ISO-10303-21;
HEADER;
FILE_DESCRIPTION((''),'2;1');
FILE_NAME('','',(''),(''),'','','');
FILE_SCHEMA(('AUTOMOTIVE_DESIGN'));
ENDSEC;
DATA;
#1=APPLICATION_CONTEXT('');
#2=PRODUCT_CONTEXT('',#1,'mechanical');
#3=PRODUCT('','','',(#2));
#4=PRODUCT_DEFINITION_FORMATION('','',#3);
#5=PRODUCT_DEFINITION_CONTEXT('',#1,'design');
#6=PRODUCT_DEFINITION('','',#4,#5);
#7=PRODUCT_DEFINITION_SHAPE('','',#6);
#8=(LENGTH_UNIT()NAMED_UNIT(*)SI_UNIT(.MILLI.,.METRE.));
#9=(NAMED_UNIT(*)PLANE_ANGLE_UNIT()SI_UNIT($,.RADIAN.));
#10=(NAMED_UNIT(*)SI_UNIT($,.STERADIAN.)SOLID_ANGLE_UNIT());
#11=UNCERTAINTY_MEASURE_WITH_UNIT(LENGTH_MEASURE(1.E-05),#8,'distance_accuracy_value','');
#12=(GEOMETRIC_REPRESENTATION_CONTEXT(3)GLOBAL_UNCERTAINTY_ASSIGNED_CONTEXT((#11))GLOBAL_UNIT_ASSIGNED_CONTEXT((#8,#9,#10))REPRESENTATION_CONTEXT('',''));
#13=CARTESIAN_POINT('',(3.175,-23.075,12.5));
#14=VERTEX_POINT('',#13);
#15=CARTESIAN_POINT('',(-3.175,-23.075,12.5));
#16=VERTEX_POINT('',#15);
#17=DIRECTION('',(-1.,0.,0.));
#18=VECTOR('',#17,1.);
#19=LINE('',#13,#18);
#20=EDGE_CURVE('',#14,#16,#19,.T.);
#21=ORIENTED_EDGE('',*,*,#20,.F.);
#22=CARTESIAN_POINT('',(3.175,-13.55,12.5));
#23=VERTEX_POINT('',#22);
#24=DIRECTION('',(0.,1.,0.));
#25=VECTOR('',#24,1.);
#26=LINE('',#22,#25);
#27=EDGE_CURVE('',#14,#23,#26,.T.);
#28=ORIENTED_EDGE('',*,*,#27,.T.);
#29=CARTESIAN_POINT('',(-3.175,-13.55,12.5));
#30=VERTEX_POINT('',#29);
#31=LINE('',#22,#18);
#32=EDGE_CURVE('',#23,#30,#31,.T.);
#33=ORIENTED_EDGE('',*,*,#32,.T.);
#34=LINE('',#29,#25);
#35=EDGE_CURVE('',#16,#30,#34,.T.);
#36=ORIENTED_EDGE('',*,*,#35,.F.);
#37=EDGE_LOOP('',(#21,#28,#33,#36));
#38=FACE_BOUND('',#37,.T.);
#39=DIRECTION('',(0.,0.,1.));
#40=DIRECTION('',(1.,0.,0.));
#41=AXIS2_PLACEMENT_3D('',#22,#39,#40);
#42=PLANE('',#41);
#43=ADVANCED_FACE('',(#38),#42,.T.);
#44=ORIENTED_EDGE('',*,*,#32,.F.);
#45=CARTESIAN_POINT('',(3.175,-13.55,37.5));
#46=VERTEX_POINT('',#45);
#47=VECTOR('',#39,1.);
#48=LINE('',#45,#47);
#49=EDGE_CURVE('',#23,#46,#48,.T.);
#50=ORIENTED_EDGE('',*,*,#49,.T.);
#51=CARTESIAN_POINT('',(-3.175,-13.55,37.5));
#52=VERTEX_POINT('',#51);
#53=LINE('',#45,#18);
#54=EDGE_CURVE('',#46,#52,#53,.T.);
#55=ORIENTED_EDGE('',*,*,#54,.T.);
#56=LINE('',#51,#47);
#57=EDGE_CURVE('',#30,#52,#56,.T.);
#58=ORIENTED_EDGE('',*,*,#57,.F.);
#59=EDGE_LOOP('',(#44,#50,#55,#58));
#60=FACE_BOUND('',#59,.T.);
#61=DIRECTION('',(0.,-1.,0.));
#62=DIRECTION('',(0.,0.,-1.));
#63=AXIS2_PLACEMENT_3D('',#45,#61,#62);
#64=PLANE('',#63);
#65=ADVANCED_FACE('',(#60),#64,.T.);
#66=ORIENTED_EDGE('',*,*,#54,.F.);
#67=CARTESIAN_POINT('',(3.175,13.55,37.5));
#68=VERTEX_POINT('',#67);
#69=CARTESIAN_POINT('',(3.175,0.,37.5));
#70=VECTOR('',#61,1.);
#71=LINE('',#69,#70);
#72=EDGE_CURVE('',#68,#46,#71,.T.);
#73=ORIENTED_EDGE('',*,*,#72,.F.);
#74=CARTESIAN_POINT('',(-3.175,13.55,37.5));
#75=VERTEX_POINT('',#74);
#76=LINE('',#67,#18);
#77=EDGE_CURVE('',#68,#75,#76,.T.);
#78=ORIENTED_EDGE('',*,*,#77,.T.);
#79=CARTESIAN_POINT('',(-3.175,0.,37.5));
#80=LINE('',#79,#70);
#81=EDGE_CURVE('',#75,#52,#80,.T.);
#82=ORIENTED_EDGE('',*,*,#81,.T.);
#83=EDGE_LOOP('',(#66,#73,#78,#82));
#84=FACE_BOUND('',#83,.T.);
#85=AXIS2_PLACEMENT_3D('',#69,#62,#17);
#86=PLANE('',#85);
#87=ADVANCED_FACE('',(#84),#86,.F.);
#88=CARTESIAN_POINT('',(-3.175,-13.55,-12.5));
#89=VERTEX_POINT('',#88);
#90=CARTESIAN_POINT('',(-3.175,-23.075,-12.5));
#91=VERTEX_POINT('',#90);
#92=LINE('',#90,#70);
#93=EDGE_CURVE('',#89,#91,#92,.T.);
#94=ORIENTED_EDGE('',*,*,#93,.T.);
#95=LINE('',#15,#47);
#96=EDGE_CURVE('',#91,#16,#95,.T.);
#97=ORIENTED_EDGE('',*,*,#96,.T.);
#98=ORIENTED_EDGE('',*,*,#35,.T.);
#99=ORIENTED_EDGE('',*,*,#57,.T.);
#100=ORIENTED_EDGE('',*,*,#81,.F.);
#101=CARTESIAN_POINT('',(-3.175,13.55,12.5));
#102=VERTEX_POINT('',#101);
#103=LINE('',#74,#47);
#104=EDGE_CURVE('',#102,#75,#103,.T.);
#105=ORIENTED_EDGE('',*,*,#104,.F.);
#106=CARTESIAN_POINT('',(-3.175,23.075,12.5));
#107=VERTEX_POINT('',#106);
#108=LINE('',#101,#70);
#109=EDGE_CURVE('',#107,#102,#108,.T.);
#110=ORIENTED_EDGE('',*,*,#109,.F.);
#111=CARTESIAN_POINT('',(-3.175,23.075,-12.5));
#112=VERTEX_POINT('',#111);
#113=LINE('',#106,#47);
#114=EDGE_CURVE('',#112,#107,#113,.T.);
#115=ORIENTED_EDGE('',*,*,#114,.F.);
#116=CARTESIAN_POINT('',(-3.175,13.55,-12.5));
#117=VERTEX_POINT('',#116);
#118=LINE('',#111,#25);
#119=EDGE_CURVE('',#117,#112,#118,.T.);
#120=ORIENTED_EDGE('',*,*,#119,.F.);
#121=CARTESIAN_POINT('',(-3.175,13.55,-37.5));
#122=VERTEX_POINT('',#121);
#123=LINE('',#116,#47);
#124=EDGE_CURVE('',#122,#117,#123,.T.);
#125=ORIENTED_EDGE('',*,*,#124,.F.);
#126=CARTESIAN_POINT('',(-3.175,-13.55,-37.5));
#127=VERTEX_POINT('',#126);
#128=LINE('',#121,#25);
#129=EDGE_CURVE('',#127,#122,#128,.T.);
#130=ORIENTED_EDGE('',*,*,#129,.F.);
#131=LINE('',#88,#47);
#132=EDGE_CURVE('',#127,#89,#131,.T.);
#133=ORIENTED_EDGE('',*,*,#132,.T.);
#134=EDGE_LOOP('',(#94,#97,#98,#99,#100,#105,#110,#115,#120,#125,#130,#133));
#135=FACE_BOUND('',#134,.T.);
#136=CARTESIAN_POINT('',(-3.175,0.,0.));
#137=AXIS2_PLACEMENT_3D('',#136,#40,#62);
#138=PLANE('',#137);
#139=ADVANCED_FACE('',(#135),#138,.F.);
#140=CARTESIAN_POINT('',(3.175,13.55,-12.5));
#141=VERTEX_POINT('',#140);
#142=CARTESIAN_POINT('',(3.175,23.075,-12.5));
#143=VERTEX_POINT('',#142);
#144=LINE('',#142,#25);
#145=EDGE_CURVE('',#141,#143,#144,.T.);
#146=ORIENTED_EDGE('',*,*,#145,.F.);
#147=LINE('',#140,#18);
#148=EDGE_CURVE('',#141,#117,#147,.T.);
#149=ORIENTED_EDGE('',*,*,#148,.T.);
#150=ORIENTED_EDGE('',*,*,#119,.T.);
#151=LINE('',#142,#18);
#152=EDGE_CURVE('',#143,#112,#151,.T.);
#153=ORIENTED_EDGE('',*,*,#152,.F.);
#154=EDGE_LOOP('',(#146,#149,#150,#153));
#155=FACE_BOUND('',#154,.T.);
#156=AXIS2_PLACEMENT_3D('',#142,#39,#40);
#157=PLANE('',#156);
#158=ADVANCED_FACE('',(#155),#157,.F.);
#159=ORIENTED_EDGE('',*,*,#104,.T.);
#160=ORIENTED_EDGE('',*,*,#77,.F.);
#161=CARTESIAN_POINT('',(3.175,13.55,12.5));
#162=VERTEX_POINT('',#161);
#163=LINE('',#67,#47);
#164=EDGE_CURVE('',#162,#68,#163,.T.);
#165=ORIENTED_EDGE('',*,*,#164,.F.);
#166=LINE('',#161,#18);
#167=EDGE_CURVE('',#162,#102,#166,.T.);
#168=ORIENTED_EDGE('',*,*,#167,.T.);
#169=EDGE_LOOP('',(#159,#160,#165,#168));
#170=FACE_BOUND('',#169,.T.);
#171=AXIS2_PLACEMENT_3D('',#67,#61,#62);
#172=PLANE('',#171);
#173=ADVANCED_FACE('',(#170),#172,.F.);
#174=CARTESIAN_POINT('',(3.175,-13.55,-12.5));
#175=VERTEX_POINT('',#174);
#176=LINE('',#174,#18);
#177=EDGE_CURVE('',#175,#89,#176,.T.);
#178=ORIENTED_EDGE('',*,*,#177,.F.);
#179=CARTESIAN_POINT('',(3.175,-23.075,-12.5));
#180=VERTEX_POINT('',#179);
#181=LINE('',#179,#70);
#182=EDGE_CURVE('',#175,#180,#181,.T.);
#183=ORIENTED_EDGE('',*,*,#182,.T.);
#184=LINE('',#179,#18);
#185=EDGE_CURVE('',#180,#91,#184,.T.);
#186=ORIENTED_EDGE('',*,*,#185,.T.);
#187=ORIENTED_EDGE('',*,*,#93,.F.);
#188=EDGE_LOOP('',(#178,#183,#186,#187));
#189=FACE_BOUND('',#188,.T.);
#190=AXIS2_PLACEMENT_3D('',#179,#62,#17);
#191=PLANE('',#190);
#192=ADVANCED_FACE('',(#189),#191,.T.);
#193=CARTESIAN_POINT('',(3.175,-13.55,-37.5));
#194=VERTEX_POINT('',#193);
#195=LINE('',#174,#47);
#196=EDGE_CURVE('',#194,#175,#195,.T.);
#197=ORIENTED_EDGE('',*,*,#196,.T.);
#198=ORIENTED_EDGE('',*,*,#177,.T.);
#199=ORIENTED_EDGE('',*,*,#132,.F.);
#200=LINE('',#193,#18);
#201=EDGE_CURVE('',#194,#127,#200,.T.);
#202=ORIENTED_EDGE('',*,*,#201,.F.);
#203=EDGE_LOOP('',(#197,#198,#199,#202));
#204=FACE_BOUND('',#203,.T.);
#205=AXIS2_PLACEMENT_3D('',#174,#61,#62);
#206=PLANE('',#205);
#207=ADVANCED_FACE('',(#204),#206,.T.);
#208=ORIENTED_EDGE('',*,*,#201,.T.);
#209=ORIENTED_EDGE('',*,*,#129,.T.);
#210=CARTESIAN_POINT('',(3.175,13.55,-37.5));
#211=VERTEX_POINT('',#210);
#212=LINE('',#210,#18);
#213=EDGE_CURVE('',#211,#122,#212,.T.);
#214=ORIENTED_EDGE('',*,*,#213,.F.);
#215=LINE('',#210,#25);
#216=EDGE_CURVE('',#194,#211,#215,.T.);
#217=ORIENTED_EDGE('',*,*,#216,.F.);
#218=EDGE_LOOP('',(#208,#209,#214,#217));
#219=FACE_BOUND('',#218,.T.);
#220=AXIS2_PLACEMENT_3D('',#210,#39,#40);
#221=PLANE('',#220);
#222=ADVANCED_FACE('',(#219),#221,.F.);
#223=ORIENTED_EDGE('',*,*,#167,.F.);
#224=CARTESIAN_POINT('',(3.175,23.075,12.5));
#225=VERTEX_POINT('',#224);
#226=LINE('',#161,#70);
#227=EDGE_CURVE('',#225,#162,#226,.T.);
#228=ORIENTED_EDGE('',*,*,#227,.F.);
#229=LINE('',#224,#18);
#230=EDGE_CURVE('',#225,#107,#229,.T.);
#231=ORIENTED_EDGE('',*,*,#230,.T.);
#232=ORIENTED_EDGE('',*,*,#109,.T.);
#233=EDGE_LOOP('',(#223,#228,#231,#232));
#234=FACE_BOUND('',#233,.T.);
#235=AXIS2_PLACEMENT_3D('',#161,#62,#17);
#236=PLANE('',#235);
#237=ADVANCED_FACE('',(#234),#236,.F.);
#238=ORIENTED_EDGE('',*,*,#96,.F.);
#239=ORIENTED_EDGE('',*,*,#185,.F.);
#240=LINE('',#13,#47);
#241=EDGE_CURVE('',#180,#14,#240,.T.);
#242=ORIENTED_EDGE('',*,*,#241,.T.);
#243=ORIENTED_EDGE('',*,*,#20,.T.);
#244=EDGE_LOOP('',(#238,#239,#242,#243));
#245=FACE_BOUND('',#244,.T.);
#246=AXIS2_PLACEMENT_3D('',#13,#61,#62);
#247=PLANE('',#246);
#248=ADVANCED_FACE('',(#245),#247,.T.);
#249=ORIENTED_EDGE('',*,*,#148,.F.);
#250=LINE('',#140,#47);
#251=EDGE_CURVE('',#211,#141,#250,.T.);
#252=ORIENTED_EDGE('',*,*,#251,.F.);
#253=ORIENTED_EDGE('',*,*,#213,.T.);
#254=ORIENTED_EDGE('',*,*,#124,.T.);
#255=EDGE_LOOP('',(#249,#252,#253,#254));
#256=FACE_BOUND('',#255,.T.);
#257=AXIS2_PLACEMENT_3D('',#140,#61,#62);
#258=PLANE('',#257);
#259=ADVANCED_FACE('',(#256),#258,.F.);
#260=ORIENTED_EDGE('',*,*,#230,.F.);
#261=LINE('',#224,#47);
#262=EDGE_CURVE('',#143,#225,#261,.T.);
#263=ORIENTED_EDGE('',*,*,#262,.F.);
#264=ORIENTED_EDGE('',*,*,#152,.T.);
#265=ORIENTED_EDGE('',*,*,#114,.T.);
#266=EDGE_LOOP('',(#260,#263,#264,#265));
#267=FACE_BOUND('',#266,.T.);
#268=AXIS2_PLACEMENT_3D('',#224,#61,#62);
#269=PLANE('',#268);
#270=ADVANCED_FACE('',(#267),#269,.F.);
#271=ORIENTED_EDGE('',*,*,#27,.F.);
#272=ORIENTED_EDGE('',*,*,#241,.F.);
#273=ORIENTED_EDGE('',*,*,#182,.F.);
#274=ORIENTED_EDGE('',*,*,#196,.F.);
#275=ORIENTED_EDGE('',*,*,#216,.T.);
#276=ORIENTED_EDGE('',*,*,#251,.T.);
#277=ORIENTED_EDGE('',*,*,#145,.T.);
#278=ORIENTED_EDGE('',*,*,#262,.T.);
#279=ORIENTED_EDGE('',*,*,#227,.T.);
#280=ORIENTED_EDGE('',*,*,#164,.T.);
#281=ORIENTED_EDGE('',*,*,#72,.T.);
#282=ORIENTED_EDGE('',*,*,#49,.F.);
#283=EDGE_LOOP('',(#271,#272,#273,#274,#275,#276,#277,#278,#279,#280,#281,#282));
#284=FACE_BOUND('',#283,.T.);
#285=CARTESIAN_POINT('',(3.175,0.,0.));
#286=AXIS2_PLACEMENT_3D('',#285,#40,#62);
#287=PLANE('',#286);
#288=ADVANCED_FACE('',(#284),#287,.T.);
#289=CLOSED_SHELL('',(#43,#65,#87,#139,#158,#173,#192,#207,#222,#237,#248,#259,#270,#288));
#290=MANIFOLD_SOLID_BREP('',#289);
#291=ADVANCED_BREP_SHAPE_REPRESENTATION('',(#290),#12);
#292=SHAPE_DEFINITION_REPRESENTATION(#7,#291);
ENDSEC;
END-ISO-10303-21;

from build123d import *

# Parameters (mm, degrees)
BOSS_EXTRUDE1_DEPTH = 3.175


with BuildPart() as part:
    # Sketch1 → Boss-Extrude1 (new, symmetric)
    with BuildSketch(Plane(origin=(0, 0, 0), x_dir=(0, 0, -1), z_dir=(1, 0, 0))):
        Polygon((12.5, 23.075), (12.5, 13.55), (37.5, 13.55), (37.5, 0), (-37.5, 0), (-37.5, 13.55), (-12.5, 13.55), (-12.5, 23.075), align=None)
    boss_extrude1 = extrude(amount=BOSS_EXTRUDE1_DEPTH, both=True)

    # Mirror1: Boss-Extrude1 across plane
    add(boss_extrude1.mirror(Plane.ZX))


solid = part.part
